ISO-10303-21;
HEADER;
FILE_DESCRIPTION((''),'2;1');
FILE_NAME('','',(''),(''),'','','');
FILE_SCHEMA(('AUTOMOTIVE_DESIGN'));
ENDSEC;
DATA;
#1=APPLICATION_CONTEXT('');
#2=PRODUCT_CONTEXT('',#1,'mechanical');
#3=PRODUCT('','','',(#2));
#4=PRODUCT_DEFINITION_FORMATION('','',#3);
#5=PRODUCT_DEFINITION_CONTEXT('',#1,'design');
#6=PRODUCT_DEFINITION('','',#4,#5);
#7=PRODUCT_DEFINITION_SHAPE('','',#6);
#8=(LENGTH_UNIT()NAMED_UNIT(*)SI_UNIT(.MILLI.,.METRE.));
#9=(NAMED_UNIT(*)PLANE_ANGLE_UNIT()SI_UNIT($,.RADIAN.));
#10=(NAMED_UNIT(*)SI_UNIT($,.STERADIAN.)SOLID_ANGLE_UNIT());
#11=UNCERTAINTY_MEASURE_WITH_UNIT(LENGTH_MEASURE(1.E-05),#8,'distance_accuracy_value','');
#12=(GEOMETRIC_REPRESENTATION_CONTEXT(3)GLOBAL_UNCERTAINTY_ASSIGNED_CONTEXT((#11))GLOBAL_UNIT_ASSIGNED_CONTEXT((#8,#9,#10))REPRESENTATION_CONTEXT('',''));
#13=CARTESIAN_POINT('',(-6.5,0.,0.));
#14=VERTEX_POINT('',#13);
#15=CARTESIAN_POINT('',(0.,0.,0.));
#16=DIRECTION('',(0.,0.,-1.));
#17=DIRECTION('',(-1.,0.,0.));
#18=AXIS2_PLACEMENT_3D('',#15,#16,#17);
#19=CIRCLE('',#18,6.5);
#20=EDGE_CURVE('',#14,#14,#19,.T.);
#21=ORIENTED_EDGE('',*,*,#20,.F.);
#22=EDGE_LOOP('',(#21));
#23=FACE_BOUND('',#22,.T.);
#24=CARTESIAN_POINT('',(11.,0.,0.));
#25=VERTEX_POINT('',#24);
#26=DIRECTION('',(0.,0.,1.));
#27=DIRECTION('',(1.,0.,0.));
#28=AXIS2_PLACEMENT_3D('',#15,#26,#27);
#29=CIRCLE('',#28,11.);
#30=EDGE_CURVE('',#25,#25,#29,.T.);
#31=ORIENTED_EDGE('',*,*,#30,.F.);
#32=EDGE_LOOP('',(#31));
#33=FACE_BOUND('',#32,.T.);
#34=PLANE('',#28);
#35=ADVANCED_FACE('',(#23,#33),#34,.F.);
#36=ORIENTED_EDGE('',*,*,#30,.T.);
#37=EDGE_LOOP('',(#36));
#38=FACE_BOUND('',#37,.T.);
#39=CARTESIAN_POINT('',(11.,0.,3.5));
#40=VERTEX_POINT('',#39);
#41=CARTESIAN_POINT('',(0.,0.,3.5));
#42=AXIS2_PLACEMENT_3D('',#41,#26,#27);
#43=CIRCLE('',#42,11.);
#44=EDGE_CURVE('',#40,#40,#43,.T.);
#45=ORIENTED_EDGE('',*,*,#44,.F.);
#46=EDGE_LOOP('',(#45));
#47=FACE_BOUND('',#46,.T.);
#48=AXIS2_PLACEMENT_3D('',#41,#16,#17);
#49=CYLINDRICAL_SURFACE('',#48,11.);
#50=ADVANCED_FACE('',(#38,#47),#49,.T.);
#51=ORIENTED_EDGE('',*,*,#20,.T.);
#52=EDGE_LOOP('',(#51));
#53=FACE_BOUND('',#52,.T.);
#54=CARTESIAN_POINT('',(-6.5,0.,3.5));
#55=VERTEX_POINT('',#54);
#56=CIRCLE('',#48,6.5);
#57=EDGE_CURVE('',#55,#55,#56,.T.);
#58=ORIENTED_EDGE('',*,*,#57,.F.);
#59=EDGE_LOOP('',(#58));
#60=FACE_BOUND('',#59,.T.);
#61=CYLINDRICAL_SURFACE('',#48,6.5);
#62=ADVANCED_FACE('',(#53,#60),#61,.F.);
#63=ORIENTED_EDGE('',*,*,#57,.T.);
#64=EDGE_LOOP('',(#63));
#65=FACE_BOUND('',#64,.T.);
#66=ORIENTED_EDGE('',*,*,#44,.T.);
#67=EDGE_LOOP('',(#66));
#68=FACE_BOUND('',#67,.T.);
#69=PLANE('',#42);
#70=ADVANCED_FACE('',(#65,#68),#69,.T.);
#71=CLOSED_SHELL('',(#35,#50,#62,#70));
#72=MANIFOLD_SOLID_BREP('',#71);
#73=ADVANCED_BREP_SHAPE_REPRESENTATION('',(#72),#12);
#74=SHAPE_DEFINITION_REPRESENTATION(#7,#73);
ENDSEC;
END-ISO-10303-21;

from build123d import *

# Parameters (mm, degrees)
SKETCH1_R           = 11
BOSS_EXTRUDE1_DEPTH = 3.5
SKETCH4_R           = 6.5
CUT_EXTRUDE2_DEPTH  = 3.5


with BuildPart() as part:
    # Sketch1 → Boss-Extrude1 (new body)
    with BuildSketch(Plane.XY):
        Circle(SKETCH1_R)
    extrude(amount=BOSS_EXTRUDE1_DEPTH)

    # Sketch4 → Cut-Extrude2 (cut)
    with BuildSketch(Plane(origin=(0, 0, 0), x_dir=(-1, 0, 0), z_dir=(0, 0, -1))):
        Circle(SKETCH4_R)
    extrude(amount=-CUT_EXTRUDE2_DEPTH, mode=Mode.SUBTRACT)


solid = part.part
